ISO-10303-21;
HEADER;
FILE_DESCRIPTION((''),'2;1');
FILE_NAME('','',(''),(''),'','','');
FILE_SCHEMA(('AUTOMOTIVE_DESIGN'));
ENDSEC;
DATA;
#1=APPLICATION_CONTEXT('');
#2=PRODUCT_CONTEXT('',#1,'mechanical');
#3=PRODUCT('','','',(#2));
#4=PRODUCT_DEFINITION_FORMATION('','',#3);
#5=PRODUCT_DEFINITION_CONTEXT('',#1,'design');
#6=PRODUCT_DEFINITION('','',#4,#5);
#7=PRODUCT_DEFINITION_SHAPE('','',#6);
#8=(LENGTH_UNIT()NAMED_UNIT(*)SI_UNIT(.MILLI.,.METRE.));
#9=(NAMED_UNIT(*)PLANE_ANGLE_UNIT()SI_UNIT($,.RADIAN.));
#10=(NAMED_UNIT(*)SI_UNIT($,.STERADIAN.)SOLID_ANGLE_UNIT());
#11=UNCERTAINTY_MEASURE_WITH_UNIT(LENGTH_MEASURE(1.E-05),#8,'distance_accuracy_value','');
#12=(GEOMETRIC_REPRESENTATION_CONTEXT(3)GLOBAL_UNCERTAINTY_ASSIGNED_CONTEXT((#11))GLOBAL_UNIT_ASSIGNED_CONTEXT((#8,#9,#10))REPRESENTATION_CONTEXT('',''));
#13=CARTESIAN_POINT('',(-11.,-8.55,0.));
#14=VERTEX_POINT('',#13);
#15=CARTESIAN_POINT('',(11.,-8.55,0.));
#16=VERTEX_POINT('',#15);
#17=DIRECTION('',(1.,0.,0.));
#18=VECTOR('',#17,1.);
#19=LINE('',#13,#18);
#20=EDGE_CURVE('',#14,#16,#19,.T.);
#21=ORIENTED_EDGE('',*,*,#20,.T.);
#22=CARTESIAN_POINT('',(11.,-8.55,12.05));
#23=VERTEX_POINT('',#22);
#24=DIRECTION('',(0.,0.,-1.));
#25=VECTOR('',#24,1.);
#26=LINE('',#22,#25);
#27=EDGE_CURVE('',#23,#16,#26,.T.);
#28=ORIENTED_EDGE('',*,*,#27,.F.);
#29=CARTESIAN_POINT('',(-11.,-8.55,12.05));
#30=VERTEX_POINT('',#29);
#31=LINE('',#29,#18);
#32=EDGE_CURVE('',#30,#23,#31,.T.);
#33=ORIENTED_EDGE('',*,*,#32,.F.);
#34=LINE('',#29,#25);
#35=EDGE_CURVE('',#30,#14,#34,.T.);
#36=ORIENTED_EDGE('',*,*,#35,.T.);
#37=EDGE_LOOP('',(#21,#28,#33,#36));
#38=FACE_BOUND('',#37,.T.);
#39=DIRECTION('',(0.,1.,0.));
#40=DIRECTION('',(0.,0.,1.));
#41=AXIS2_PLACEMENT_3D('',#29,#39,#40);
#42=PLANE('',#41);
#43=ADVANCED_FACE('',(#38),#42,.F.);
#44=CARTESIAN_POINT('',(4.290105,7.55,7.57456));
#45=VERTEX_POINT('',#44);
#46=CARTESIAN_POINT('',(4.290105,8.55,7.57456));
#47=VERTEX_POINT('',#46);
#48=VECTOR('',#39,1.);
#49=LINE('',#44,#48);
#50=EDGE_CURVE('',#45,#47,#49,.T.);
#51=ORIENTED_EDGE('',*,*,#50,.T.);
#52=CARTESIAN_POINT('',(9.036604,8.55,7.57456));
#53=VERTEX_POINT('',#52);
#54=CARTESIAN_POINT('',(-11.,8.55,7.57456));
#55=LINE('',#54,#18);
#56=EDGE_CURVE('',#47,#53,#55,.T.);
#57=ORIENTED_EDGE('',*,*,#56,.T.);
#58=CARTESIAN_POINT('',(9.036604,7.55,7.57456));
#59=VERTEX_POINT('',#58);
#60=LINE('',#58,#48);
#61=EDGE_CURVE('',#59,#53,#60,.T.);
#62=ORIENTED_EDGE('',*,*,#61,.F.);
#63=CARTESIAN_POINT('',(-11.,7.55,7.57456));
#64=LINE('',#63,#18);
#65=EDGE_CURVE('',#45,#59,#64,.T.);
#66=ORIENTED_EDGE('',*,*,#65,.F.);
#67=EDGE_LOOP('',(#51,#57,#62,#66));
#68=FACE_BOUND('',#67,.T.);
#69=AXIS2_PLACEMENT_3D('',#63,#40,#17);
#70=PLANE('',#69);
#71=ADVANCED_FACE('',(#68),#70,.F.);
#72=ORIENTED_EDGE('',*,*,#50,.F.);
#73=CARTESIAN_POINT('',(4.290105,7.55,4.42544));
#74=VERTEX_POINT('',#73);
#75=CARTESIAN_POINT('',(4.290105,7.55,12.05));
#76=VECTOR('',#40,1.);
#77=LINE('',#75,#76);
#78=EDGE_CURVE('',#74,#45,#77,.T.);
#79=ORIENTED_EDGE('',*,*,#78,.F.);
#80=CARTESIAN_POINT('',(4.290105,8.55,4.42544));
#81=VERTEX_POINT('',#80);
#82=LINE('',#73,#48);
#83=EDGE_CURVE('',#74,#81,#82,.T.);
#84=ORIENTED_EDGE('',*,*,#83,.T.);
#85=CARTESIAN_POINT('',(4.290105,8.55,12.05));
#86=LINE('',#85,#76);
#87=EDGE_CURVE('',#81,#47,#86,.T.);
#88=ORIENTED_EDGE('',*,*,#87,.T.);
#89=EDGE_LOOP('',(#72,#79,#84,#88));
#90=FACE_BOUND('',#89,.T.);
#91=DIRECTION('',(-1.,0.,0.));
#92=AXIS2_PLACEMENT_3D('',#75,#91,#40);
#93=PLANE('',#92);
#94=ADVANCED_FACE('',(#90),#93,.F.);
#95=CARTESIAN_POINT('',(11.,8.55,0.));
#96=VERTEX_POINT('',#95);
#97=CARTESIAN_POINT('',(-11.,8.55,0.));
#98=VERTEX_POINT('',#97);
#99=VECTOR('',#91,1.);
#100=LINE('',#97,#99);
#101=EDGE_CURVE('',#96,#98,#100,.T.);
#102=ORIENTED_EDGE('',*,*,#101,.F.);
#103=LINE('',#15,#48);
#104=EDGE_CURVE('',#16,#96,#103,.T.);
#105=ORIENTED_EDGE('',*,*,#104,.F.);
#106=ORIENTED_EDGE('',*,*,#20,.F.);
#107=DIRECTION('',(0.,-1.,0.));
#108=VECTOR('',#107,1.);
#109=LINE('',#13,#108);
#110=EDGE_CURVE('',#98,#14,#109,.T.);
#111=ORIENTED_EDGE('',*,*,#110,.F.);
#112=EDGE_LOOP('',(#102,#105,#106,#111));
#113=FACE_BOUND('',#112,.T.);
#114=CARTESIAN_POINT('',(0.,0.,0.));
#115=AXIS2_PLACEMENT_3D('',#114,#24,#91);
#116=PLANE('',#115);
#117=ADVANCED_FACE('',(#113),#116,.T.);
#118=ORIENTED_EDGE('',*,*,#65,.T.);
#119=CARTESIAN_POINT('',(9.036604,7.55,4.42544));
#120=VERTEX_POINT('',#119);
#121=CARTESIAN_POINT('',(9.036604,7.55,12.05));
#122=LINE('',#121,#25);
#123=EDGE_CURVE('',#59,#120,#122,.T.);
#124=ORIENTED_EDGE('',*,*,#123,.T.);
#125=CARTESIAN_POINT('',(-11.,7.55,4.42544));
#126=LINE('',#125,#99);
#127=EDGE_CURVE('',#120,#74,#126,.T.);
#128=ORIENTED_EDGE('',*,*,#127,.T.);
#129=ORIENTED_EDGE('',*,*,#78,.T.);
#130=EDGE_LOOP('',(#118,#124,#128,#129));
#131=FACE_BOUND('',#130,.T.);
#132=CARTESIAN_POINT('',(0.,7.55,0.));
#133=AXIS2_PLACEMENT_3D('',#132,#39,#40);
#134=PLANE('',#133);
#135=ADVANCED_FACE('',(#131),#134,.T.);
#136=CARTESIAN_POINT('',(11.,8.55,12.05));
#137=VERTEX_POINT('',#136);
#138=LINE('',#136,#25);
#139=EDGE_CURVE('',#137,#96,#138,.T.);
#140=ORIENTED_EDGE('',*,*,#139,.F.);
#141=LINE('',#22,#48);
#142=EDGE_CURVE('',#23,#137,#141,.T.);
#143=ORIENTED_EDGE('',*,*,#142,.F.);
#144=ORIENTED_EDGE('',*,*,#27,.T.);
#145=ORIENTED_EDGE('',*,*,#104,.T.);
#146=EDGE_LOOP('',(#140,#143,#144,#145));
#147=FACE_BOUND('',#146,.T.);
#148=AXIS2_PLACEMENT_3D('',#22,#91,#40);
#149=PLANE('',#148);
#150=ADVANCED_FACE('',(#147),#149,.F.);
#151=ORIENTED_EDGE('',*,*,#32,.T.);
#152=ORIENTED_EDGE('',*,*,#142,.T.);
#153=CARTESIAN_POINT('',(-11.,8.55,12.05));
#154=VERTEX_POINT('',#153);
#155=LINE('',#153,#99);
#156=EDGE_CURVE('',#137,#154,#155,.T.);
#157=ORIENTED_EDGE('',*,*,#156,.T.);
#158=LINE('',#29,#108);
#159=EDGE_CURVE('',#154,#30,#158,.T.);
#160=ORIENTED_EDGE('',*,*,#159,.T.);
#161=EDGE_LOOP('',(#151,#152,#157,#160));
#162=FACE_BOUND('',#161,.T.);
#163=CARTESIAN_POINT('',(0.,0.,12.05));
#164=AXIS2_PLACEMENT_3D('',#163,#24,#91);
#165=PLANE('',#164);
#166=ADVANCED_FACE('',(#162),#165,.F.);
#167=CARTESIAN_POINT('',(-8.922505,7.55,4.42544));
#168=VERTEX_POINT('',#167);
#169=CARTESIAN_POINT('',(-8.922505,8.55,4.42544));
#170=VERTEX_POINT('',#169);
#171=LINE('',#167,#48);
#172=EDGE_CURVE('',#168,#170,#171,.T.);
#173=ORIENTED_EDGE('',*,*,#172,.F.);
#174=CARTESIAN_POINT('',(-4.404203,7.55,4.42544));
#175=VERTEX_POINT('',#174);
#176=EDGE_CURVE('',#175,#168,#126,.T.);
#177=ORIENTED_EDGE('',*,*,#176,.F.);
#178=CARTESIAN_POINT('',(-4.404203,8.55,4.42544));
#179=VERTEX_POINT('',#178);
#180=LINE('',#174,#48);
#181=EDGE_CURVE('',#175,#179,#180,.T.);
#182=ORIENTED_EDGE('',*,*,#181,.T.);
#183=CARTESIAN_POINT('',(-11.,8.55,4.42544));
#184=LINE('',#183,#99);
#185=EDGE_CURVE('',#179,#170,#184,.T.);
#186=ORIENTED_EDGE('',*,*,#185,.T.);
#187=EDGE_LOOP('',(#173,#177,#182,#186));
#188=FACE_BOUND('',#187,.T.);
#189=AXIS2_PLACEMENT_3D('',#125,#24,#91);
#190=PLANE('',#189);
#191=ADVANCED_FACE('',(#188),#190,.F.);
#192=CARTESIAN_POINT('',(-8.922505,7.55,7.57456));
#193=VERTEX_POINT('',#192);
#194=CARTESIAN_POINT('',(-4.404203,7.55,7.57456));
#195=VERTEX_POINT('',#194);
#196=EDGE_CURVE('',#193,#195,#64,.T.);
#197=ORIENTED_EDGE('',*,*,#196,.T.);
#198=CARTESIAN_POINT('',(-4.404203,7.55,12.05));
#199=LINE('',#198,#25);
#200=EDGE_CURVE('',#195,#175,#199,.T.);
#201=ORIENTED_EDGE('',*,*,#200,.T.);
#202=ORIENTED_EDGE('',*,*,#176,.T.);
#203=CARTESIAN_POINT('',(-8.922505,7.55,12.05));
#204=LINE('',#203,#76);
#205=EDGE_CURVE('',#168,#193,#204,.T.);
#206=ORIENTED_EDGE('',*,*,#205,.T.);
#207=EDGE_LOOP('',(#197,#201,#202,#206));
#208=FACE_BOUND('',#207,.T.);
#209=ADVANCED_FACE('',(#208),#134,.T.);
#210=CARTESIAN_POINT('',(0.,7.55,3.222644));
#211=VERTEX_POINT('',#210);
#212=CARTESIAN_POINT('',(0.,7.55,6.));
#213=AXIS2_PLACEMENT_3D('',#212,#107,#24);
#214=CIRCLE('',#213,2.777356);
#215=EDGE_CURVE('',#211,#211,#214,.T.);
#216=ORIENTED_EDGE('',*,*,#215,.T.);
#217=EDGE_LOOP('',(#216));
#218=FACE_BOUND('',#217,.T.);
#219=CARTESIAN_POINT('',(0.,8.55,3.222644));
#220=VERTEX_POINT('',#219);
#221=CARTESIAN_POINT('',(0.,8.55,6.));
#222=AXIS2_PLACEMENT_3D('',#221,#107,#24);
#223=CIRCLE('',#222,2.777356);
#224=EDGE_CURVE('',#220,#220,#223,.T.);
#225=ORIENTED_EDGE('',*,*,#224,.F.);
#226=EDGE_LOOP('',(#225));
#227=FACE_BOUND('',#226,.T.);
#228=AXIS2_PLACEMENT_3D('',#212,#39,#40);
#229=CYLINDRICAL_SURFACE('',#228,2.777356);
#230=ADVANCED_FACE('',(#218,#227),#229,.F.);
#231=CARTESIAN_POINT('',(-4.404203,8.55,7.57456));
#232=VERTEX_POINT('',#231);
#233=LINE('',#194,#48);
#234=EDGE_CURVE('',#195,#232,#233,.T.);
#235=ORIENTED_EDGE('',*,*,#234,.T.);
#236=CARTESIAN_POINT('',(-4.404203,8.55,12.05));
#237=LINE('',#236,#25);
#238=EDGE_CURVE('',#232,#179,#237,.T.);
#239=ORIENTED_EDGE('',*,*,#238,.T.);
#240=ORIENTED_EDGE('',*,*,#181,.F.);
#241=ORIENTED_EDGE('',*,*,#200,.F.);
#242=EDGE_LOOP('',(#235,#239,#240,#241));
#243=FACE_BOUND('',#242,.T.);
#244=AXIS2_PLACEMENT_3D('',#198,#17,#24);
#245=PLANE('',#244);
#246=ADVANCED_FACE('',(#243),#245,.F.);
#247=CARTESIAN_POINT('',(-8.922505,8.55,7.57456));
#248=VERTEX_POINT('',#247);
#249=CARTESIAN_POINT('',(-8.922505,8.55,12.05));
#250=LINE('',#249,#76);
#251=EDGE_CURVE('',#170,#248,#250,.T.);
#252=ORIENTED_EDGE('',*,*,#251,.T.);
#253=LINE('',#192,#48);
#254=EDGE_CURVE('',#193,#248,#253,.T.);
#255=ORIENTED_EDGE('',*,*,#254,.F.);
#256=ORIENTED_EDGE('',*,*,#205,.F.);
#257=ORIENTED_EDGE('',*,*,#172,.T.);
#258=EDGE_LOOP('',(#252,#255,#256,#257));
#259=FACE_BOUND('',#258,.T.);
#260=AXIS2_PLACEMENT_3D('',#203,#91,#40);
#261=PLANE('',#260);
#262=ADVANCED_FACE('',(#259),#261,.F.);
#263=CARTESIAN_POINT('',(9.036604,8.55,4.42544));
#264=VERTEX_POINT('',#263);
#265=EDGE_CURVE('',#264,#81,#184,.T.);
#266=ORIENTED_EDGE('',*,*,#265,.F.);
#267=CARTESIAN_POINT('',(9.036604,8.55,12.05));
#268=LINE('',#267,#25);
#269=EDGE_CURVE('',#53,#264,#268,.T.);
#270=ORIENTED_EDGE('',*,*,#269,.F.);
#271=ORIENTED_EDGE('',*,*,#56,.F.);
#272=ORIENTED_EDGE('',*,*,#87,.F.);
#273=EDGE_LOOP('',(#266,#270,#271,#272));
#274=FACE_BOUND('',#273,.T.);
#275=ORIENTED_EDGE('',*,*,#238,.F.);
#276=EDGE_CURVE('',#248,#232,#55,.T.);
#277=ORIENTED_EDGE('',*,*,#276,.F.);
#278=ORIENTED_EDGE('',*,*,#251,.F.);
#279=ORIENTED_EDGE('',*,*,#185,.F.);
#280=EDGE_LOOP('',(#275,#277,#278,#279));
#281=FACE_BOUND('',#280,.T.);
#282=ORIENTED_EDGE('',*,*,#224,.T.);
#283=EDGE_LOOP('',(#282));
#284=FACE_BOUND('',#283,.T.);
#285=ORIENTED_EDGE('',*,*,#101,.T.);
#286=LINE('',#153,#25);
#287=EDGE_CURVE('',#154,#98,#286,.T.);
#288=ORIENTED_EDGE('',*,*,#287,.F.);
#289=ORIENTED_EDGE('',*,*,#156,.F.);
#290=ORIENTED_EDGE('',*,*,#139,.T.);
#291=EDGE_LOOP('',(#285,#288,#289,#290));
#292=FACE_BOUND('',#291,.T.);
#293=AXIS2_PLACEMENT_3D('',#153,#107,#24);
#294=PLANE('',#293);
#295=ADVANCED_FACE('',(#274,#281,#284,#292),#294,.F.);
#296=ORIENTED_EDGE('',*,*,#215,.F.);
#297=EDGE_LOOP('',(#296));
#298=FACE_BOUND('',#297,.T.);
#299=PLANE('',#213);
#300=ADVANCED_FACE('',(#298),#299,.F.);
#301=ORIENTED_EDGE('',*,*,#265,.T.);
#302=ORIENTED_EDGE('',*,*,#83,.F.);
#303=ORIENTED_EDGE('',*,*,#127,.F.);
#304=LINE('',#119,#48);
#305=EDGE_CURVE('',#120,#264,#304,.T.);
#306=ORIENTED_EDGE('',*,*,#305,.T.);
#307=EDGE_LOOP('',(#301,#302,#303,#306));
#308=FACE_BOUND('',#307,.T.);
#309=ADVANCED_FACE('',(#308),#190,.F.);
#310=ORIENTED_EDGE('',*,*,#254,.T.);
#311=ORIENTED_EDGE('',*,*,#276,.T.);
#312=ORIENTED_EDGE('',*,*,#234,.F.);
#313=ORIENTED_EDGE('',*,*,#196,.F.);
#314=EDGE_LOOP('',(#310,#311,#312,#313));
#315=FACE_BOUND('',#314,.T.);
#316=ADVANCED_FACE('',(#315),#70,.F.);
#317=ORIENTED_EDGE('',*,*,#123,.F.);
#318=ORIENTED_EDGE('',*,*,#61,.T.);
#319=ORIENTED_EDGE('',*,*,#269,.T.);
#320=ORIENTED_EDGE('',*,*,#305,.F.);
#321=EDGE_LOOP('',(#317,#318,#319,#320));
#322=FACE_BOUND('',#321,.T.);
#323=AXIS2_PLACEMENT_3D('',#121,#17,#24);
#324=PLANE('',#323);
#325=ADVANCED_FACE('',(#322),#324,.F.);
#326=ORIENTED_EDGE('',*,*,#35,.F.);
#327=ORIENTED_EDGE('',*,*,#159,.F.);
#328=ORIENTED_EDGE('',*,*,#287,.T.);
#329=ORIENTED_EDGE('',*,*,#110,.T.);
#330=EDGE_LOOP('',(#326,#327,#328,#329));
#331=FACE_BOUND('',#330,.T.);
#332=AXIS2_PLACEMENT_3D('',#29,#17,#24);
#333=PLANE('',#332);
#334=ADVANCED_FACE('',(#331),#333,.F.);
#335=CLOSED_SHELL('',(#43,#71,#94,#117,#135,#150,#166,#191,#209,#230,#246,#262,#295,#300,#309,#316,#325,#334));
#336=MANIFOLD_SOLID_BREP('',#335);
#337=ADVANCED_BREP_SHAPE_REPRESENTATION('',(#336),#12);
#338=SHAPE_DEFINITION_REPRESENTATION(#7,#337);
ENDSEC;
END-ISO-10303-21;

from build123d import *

# Parameters (mm, degrees)
SKETCH1_W           = 22
SKETCH1_H           = 17.1
BOSS_EXTRUDE1_DEPTH = 12.05
CUT_EXTRUDE1_START  = 8.55
SKETCH2_R           = 2.77735613
SKETCH2_W           = 4.746499011
SKETCH2_H           = 3.149119536
SKETCH2_W_2         = 4.518301943
CUT_EXTRUDE1_DEPTH  = 1


with BuildPart() as part:
    # Sketch1 → Boss-Extrude1 (new body)
    with BuildSketch(Plane.XY):
        Rectangle(SKETCH1_W, SKETCH1_H)
    extrude(amount=BOSS_EXTRUDE1_DEPTH)

    # Sketch2 → Cut-Extrude1 (cut)
    with BuildSketch(Plane(origin=(0, 0, 0), x_dir=(1, 0, 0), z_dir=(0, 1, 0)).offset(CUT_EXTRUDE1_START)):
        with Locations(Location((0, -6, 0), (0, 0, 90))):
            Circle(SKETCH2_R)
        with Locations((6.663354381, -6)):
            Rectangle(SKETCH2_W, SKETCH2_H)
        with Locations((-6.663354381, -6)):
            Rectangle(SKETCH2_W_2, SKETCH2_H)
    extrude(amount=-CUT_EXTRUDE1_DEPTH, mode=Mode.SUBTRACT)


solid = part.part
